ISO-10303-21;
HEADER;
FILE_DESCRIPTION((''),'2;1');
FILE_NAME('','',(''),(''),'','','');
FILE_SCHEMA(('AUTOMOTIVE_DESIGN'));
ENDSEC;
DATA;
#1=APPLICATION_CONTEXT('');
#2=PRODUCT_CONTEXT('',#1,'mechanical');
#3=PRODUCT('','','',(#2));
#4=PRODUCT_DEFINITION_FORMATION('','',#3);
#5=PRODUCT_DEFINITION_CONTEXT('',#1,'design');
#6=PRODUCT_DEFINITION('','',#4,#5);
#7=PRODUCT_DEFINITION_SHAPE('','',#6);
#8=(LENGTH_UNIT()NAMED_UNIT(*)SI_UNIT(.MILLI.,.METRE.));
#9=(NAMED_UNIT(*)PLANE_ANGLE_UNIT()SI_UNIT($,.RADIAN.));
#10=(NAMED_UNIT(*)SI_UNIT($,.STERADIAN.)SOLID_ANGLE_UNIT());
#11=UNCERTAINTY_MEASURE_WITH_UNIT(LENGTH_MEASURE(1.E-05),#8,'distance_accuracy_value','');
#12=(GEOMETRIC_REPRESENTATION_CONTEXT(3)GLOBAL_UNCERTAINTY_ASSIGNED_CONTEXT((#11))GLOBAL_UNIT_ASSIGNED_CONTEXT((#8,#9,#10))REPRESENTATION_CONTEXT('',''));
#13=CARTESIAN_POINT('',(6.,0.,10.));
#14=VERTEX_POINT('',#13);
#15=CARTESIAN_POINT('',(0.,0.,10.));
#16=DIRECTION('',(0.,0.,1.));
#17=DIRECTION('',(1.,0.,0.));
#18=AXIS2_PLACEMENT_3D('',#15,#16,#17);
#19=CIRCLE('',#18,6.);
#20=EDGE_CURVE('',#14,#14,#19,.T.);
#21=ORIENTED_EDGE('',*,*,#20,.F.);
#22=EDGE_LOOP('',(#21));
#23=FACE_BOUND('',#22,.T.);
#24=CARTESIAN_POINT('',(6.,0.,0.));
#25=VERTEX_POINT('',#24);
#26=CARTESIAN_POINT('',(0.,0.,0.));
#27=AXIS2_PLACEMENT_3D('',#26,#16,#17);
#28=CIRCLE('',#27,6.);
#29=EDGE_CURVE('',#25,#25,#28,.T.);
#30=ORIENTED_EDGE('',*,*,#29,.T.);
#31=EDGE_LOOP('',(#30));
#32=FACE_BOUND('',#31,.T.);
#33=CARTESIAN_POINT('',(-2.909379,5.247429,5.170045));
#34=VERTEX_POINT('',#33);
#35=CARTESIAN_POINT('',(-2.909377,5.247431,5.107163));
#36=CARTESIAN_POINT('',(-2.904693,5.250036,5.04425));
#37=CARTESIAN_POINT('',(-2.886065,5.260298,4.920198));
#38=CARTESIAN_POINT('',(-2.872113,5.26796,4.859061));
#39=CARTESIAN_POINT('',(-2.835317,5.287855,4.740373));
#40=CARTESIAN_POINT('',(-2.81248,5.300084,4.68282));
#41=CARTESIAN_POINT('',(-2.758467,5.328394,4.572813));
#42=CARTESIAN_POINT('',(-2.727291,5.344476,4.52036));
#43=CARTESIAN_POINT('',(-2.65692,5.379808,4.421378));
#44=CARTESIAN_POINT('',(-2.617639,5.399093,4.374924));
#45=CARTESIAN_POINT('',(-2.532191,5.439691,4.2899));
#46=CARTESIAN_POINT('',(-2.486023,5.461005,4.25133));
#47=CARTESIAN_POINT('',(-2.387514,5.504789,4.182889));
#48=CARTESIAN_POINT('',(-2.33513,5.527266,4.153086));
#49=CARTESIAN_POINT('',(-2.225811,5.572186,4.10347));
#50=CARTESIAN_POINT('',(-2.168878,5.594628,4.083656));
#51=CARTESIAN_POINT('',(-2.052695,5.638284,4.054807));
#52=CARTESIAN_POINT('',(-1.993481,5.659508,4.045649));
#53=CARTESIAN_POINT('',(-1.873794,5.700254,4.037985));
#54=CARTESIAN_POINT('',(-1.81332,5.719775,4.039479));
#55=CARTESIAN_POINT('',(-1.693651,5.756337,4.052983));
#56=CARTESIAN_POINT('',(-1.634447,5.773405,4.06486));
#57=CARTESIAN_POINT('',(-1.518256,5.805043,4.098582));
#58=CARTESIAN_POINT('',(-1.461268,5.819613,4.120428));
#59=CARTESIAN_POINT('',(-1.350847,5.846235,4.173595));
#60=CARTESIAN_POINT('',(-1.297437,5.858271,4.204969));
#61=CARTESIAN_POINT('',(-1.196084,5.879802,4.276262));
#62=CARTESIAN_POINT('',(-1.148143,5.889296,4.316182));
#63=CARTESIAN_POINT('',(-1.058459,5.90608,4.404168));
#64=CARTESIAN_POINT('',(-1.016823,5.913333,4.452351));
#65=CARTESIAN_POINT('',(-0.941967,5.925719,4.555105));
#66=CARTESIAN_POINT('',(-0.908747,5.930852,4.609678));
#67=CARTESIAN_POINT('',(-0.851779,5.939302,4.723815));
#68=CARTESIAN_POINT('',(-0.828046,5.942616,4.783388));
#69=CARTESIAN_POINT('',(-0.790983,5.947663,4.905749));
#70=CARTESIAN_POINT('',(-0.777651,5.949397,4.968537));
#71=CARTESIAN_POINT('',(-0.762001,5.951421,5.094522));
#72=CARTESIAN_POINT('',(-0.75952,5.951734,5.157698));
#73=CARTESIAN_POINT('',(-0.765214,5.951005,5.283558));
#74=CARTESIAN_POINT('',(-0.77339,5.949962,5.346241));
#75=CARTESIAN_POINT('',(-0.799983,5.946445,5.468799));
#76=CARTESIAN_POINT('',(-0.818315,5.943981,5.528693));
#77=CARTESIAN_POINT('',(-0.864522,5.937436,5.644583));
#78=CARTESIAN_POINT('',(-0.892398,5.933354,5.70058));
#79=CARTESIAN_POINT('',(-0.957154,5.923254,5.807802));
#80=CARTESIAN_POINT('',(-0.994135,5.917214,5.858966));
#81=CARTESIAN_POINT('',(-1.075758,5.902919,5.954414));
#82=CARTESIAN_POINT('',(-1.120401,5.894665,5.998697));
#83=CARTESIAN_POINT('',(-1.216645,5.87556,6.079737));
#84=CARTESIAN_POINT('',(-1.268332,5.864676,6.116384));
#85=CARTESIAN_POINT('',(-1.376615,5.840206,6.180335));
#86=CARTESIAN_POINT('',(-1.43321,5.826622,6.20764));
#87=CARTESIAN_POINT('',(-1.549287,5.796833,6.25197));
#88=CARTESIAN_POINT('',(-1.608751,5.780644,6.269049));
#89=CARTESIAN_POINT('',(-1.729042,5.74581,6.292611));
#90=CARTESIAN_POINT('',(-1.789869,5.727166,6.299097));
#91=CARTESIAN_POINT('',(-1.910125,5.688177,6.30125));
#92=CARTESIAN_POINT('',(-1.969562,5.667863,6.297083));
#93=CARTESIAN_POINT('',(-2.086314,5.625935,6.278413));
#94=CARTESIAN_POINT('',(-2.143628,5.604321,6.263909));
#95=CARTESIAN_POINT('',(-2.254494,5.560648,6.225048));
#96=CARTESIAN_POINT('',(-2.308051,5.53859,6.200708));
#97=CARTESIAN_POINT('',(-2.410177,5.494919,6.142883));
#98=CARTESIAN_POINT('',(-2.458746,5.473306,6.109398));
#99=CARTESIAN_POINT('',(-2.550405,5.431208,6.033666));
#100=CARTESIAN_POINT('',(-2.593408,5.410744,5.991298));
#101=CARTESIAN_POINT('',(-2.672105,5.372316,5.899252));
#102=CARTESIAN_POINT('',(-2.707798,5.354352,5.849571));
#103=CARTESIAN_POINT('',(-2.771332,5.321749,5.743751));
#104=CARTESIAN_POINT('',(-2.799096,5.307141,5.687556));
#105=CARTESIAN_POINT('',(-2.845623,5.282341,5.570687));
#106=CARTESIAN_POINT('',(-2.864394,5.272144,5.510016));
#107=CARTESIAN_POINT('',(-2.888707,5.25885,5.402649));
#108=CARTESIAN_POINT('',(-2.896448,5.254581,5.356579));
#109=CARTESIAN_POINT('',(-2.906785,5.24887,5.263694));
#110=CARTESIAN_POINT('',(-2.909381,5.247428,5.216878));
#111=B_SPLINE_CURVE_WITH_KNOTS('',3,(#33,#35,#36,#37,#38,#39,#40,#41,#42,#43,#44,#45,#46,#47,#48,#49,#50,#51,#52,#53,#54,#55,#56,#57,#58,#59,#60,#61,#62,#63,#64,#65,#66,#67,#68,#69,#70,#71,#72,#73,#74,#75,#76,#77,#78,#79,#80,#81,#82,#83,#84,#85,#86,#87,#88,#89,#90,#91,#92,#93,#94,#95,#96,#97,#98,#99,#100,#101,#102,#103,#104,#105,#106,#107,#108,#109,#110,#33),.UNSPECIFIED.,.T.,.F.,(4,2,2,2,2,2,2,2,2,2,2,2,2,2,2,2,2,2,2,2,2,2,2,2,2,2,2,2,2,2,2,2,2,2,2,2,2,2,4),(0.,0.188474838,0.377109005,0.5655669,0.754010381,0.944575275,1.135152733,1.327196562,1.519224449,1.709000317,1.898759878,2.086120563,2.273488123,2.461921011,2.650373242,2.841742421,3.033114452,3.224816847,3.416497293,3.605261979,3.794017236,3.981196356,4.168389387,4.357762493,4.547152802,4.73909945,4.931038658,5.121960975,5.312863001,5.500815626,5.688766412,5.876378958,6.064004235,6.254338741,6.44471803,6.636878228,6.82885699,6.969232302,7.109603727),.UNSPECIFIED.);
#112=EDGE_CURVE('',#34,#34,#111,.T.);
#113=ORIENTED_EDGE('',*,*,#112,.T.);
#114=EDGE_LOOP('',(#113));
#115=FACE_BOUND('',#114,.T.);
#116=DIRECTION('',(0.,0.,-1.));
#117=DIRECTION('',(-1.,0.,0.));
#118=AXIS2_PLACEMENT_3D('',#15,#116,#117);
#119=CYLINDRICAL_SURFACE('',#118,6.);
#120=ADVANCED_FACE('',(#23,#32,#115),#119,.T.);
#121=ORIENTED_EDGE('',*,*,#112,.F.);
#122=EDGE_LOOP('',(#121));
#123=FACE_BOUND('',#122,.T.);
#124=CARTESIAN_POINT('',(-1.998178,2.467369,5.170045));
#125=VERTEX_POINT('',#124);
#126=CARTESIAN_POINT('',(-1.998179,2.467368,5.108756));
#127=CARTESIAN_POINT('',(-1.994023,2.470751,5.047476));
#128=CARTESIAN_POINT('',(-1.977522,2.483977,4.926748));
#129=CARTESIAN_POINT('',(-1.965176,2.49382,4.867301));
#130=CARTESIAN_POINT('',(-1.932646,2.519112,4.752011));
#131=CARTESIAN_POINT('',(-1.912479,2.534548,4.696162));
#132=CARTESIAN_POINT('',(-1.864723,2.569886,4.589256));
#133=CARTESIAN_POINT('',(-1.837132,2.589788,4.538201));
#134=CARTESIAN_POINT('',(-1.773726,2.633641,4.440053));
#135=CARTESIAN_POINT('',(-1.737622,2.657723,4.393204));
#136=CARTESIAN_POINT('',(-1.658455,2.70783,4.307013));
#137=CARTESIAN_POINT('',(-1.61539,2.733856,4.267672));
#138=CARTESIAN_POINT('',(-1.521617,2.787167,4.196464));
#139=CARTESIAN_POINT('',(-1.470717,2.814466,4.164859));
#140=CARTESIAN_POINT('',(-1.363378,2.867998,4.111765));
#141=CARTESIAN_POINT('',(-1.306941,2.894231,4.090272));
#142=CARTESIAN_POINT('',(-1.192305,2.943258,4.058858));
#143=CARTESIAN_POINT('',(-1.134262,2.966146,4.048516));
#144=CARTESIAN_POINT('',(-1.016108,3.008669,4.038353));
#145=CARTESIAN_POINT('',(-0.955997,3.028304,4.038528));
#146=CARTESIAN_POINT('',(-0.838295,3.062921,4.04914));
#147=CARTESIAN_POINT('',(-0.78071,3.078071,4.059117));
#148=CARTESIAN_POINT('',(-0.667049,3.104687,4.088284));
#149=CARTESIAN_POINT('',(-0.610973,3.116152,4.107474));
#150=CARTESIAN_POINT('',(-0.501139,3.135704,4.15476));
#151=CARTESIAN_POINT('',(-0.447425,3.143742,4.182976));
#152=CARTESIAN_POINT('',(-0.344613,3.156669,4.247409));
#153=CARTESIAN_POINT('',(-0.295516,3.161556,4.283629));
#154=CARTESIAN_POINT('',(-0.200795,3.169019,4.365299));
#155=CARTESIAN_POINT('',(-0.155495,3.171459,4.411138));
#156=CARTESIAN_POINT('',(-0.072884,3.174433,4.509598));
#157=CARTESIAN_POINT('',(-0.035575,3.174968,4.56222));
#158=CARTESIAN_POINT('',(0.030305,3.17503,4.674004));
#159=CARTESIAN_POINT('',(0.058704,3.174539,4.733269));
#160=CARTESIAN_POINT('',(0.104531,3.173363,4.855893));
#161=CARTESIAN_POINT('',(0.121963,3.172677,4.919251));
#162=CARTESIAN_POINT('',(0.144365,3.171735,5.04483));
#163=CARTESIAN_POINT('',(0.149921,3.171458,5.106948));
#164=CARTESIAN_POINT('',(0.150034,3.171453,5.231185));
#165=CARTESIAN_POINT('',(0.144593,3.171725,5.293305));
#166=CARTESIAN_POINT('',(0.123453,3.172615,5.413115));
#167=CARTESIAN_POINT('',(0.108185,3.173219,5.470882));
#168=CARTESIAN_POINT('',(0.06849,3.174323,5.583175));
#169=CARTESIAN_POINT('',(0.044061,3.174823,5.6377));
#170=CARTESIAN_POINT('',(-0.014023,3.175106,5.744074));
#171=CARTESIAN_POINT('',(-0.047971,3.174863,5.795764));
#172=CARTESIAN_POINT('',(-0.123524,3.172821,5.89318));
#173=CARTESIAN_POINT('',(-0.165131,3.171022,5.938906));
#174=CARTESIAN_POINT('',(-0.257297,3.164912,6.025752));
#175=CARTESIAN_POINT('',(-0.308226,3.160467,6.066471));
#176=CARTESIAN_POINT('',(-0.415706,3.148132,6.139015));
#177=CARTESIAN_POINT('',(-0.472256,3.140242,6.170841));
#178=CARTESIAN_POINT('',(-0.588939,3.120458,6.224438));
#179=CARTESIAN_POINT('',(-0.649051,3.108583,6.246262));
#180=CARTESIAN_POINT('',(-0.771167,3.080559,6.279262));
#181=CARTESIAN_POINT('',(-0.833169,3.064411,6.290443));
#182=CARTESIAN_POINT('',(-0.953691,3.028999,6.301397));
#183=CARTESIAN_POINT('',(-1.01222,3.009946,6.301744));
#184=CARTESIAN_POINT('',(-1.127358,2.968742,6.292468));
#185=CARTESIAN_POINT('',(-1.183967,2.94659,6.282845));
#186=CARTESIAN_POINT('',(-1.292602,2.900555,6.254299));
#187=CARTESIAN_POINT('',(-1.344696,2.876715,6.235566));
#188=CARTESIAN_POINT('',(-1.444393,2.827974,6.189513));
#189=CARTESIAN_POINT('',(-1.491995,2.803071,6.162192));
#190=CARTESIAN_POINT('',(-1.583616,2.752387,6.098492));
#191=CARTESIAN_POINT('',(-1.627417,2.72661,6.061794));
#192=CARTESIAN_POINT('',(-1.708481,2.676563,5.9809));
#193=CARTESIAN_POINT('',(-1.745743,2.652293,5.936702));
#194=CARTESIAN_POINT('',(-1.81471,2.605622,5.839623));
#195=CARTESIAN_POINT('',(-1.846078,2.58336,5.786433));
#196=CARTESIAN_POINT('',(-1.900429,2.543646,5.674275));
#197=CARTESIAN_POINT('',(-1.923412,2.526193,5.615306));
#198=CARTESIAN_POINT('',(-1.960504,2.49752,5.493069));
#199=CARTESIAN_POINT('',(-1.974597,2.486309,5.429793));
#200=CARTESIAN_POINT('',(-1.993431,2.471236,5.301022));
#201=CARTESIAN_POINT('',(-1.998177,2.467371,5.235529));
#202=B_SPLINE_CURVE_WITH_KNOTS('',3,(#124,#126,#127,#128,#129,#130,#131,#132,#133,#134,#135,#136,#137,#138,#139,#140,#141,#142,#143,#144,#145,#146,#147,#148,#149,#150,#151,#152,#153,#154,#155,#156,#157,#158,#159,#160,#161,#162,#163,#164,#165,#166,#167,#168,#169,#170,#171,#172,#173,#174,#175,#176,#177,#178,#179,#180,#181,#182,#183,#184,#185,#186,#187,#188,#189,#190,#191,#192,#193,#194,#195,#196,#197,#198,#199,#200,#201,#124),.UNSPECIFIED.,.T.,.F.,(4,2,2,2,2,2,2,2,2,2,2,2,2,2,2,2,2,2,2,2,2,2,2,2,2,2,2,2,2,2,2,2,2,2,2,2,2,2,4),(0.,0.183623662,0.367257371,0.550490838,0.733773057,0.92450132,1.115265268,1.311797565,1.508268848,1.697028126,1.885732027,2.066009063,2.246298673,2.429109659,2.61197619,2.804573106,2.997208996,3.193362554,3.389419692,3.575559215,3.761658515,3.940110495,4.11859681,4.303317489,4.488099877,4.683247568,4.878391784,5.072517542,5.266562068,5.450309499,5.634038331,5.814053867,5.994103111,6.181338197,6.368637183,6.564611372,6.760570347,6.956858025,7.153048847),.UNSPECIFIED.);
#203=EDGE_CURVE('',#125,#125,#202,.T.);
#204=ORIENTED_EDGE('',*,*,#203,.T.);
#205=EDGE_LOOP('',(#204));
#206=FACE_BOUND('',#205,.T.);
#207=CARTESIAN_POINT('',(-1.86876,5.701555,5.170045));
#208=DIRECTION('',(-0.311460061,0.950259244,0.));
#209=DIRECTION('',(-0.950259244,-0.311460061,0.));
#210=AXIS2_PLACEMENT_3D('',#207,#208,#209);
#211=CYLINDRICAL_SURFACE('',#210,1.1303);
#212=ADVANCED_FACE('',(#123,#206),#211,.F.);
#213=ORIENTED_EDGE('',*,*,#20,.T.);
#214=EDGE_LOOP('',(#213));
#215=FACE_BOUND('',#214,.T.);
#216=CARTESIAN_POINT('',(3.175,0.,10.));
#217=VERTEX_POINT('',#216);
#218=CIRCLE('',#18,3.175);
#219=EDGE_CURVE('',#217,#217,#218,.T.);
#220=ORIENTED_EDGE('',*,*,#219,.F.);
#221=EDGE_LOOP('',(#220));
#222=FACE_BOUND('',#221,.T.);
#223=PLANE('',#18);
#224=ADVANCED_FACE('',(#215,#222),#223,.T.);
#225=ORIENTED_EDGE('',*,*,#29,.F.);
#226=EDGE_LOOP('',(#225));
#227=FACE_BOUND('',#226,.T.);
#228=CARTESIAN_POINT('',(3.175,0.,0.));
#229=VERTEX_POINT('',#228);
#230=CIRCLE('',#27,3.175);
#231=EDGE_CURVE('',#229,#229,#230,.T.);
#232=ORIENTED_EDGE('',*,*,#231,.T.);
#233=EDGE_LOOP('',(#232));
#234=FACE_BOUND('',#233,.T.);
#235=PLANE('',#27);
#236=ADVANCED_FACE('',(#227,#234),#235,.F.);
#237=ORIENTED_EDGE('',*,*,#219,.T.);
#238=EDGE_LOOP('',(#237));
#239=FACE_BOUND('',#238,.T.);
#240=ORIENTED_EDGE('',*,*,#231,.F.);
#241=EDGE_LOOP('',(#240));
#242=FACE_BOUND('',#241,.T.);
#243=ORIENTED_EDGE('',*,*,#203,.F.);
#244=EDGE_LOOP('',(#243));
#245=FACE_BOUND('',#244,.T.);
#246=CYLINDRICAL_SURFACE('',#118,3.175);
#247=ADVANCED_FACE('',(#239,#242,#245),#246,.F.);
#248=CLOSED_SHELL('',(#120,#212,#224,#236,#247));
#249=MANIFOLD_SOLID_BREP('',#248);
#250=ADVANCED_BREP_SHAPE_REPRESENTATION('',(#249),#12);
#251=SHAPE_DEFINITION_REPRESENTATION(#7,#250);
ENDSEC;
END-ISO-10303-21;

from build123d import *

# Parameters (mm, degrees)
SKETCH1_R                 = 6
SKETCH1_R_2               = 3.175
BOSS_EXTRUDE1_DEPTH       = 10
F_4_40_TAPPED_HOLE1_D     = 2.2606
F_4_40_TAPPED_HOLE1_DEPTH = 5
F_4_40_TAPPED_HOLE1_TIP   = 0.679152758


with BuildPart() as part:
    # Sketch1 → Boss-Extrude1 (new body)
    with BuildSketch(Plane.XY):
        Circle(SKETCH1_R)
        Circle(SKETCH1_R_2, mode=Mode.SUBTRACT)
    extrude(amount=BOSS_EXTRUDE1_DEPTH)

    # #4-40 Tapped Hole1
    with Locations(Plane(origin=(-1.868760364, 5.701555463, 5.170045216), x_dir=(0.950259243894, 0.311460060673, 0), z_dir=(-0.311460060673, 0.950259243894, 0))):
        with Locations((0, 0)):
            Hole(F_4_40_TAPPED_HOLE1_D / 2, depth=F_4_40_TAPPED_HOLE1_DEPTH)
            with Locations((0, 0, -(F_4_40_TAPPED_HOLE1_DEPTH + F_4_40_TAPPED_HOLE1_TIP / 2))):  # 118° drill point
                Cone(0, F_4_40_TAPPED_HOLE1_D / 2, F_4_40_TAPPED_HOLE1_TIP, mode=Mode.SUBTRACT)


solid = part.part
